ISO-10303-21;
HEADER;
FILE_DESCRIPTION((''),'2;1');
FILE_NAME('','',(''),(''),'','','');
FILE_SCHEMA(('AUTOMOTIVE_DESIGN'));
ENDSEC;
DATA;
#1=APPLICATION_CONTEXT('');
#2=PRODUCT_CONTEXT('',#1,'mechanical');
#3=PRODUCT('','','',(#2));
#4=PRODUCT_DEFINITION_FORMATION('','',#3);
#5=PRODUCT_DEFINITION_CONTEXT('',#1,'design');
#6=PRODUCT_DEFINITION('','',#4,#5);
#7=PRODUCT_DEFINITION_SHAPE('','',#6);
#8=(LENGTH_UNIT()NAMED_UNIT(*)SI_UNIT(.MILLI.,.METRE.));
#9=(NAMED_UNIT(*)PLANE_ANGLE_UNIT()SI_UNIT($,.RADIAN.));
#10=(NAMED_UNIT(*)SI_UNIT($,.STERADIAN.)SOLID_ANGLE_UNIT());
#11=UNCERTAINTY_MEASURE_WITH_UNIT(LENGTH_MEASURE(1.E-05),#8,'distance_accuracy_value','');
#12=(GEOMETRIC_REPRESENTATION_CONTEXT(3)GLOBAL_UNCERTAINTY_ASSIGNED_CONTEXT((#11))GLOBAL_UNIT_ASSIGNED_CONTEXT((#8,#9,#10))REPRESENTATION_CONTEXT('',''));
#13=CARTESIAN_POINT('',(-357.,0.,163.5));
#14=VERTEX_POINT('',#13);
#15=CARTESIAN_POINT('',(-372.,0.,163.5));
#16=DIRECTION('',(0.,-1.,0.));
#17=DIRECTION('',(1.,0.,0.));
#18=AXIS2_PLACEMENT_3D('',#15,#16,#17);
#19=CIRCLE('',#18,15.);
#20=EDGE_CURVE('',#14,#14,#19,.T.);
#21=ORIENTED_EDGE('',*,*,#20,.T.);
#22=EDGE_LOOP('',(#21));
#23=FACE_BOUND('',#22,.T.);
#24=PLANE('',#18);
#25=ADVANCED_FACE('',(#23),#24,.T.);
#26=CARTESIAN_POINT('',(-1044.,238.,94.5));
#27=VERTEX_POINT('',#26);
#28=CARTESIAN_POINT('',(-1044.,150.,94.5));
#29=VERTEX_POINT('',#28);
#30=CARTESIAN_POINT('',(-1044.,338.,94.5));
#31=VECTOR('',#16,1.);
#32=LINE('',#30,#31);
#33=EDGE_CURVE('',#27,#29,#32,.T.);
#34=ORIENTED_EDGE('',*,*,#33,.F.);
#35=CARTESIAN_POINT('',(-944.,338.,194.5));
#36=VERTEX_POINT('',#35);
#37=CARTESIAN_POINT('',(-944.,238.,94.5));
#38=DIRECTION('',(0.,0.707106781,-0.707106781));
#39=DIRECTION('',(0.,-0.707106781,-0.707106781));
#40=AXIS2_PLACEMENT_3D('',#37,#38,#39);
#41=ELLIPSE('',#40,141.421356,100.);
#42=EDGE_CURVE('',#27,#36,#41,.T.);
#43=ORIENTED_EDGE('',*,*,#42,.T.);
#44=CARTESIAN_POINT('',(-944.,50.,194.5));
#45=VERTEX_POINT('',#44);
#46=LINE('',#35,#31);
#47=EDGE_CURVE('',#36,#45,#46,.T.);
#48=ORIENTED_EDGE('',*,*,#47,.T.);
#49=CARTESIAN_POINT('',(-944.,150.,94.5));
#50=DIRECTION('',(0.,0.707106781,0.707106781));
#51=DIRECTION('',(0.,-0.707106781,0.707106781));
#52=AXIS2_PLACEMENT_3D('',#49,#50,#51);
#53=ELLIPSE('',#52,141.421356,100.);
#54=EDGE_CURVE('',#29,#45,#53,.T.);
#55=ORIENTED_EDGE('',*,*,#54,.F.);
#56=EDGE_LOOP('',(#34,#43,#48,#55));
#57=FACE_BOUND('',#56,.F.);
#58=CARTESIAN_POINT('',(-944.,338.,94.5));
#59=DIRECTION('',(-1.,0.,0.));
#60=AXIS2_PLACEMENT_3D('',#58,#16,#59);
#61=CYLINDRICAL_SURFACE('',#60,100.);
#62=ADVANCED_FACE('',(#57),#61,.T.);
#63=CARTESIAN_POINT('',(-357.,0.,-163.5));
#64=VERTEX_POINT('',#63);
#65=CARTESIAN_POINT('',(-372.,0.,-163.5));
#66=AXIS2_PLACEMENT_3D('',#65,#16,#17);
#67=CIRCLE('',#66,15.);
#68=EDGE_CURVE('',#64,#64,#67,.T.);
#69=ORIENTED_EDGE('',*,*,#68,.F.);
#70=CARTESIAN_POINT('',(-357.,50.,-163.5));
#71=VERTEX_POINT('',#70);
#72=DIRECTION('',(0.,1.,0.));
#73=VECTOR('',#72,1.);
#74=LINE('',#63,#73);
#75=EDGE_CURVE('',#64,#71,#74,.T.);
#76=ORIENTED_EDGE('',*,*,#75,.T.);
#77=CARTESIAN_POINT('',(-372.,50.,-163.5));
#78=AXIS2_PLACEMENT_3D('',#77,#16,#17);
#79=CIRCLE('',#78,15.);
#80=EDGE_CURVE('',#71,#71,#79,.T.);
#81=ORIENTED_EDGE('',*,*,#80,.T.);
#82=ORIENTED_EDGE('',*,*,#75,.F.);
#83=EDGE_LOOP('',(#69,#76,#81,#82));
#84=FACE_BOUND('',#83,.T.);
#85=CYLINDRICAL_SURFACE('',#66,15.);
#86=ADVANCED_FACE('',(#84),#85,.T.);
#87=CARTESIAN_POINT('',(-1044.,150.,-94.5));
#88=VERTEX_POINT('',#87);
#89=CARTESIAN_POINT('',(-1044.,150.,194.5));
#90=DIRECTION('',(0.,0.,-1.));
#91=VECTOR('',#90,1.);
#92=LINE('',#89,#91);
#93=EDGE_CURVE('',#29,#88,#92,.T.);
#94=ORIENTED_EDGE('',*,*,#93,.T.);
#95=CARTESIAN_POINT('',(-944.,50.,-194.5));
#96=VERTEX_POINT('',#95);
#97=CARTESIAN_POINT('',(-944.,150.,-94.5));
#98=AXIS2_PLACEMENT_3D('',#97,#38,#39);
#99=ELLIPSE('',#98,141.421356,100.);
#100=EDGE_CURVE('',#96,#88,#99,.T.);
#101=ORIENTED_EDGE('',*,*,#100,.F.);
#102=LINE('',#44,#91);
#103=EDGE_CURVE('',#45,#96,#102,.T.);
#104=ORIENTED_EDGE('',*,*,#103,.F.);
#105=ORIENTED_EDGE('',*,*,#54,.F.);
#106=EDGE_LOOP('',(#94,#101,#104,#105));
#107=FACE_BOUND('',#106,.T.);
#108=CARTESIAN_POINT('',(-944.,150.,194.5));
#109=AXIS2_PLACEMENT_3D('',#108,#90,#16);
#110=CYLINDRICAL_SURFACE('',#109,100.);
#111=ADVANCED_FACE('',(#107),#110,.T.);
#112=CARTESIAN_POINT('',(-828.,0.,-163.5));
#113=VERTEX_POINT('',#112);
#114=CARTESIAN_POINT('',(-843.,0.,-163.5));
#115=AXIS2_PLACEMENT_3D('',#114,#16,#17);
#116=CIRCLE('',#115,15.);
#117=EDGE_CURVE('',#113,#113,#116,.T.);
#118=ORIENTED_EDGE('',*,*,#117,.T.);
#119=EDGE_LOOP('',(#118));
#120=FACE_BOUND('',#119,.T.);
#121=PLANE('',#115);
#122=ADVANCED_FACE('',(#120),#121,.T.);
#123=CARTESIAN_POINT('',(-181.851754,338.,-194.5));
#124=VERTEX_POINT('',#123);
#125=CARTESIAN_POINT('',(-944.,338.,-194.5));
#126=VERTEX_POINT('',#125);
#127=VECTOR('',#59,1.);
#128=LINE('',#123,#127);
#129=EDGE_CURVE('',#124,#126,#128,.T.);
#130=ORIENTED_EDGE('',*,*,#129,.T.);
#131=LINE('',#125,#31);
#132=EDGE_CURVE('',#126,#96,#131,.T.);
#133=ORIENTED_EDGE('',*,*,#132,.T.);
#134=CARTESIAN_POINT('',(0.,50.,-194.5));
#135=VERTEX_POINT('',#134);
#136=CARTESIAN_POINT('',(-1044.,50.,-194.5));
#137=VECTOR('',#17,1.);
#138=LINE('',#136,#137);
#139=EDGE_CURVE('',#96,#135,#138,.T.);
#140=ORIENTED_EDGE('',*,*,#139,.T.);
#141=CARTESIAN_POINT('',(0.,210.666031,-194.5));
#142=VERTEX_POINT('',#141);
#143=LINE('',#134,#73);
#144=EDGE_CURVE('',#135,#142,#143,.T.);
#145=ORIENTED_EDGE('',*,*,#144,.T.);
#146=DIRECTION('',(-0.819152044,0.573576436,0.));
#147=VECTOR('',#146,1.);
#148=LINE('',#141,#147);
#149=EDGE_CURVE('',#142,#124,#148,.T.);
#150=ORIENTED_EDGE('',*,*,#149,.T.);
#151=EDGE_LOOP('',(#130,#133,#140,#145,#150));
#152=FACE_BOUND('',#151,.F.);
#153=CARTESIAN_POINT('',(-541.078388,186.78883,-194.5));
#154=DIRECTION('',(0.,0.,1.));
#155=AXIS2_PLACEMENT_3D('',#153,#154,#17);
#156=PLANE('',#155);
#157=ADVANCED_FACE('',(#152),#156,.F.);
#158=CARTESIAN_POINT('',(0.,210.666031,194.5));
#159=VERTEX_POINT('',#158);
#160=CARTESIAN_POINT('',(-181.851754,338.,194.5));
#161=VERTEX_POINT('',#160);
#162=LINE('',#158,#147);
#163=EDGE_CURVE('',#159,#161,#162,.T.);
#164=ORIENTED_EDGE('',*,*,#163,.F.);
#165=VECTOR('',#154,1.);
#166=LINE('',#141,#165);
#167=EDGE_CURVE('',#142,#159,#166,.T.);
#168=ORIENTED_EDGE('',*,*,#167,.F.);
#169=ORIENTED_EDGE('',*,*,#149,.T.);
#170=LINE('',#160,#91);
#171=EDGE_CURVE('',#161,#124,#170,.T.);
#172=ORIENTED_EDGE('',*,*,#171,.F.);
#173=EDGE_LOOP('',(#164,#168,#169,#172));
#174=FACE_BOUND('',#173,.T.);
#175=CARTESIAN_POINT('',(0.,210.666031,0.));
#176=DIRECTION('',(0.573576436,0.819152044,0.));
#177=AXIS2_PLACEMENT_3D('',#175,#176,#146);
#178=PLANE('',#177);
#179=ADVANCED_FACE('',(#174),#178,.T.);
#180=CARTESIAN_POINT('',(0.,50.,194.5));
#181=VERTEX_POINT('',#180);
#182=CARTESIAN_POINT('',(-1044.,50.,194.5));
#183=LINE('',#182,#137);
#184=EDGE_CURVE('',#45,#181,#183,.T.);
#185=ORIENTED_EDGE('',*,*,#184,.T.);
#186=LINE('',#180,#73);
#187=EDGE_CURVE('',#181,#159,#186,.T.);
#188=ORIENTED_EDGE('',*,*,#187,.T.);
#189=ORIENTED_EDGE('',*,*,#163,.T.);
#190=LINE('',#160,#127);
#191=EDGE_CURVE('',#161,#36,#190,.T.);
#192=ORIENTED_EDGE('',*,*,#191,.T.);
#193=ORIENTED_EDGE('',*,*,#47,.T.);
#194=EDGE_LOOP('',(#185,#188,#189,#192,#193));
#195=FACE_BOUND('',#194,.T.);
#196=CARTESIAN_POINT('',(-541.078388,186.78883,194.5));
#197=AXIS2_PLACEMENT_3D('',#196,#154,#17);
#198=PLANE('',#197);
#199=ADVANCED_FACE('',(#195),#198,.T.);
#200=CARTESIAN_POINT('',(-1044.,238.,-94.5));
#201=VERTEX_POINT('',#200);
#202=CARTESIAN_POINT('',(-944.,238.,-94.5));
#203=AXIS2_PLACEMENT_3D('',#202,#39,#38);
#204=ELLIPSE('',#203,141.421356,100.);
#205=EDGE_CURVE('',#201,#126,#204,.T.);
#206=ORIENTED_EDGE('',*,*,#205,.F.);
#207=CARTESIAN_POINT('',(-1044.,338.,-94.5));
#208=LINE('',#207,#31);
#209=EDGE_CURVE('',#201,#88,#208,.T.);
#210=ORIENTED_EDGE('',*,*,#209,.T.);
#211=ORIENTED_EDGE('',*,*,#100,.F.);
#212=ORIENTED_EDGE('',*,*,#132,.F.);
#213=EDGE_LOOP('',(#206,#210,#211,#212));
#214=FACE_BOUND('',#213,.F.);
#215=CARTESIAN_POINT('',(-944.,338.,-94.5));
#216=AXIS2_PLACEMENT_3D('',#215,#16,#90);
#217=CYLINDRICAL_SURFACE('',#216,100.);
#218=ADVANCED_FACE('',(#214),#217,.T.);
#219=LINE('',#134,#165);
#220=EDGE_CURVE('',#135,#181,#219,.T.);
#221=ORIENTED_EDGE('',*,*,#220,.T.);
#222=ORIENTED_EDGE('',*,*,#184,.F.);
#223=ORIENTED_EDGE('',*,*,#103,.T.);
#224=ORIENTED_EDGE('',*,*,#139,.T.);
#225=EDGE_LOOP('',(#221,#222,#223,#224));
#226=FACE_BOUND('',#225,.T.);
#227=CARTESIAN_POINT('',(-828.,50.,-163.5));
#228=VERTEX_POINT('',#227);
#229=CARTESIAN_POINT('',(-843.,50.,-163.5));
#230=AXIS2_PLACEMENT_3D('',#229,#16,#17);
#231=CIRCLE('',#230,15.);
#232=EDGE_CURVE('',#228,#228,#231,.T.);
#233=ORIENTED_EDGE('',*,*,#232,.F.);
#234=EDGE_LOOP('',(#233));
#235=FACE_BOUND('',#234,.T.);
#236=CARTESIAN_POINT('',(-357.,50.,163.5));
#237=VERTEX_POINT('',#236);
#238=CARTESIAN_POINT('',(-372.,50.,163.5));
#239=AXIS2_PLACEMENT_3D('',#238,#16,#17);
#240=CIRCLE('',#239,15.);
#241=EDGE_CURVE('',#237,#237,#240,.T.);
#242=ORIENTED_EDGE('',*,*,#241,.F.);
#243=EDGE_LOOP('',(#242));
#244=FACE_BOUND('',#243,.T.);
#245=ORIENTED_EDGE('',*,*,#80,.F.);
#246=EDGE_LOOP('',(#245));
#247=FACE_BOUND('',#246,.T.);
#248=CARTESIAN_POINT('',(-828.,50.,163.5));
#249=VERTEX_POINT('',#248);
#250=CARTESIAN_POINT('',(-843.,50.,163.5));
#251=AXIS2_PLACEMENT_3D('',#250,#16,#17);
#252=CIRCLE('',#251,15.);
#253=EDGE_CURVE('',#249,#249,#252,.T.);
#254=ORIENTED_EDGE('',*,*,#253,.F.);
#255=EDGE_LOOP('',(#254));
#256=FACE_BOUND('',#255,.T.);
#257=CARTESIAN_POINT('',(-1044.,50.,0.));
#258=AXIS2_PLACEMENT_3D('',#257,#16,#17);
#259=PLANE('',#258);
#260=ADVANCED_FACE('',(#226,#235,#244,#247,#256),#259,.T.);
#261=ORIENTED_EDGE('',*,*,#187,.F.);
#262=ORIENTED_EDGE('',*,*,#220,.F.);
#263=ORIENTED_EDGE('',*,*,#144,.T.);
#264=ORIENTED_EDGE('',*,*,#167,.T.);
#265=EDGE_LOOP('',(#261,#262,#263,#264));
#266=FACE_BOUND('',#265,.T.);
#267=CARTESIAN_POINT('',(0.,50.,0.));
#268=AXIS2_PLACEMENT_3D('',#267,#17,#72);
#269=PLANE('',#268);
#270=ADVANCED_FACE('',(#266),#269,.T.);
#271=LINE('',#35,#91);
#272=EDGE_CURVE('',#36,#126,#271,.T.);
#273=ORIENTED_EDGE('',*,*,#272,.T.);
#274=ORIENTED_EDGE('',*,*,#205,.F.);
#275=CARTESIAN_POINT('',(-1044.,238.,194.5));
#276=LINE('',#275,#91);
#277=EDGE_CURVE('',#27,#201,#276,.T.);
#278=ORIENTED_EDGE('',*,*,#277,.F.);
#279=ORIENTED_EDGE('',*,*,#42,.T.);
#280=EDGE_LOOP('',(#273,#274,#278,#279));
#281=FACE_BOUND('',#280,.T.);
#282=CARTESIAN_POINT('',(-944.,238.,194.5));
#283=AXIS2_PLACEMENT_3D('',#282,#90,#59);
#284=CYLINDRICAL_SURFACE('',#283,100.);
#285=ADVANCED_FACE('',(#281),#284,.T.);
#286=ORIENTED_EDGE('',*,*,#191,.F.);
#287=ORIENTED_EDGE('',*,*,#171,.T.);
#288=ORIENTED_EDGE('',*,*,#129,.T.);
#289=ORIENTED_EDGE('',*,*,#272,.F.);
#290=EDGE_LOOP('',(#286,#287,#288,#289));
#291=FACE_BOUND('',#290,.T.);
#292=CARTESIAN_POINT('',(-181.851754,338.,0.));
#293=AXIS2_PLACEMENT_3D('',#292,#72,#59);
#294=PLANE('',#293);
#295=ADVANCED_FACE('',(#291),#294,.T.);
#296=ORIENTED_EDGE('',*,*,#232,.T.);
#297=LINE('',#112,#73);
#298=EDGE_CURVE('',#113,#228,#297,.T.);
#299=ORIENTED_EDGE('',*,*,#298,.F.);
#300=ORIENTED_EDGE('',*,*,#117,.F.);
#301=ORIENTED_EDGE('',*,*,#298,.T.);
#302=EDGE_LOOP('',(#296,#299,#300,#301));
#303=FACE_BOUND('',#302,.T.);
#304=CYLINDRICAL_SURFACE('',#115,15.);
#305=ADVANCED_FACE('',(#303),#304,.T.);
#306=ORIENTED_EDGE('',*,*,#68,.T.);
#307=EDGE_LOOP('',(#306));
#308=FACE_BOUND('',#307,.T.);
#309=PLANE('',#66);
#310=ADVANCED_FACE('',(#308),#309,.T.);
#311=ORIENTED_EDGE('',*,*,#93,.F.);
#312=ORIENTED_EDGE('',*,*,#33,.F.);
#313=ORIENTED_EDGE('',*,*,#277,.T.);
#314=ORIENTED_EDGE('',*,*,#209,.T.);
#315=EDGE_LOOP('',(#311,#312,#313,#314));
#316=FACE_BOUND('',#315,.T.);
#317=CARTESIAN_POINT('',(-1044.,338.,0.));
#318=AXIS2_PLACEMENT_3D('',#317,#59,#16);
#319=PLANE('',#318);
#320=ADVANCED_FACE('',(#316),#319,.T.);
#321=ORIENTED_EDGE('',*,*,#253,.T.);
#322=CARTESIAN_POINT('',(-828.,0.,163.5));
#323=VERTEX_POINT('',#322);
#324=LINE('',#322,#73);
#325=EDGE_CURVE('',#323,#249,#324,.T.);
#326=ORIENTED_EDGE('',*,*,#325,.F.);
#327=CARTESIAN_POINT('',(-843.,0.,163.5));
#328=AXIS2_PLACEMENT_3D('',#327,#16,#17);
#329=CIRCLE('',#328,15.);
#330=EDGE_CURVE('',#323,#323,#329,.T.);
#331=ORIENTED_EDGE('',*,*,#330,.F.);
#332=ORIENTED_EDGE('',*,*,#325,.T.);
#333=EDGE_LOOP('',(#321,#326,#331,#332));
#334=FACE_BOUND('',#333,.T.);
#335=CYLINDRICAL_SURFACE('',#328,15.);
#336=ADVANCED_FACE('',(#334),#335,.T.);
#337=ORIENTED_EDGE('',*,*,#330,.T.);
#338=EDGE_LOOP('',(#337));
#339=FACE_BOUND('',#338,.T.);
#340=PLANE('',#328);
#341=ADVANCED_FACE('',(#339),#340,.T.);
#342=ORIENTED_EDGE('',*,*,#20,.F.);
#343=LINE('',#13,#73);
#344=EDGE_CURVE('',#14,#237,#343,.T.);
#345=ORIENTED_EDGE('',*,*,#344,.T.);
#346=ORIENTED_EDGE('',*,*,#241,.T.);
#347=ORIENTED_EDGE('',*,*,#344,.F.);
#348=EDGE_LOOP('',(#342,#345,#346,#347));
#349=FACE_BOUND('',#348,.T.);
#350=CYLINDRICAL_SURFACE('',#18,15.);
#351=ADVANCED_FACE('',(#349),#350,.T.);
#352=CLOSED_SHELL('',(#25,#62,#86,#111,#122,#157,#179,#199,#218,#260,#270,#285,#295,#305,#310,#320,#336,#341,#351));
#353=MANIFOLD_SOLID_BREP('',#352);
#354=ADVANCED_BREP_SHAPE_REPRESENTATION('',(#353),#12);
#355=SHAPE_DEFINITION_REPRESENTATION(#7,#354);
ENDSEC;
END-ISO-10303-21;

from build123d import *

# Parameters (mm, degrees)
F1_DEPTH = 194.5
F2_DEPTH = 194.5
F3_R     = 15
F4_DEPTH = 50
F5_R     = 100


with BuildPart() as f1:
    # F0 (on Top) → F1 (new body)
    with BuildSketch(Plane.XY):
        Polygon((-1044, 50), (0, 50), (0, 210.666031), (-181.851754, 338), (-1044, 338), align=None)
    extrude(amount=F1_DEPTH)

    # F0 (on Top) → F2 (join)
    with BuildSketch(Plane.XY):
        Polygon((-1044, 50), (0, 50), (0, 210.666031), (-181.851754, 338), (-1044, 338), align=None)
    extrude(amount=-F2_DEPTH)

    # F3 (on Front) → F4 (join, through all)
    with BuildSketch(Plane.XZ):
        with Locations((-843, 163.5)):
            Circle(F3_R)
        with Locations((-843, -163.5)):
            Circle(F3_R)
        with Locations((-372, -163.5)):
            Circle(F3_R)
        with Locations((-372, 163.5)):
            Circle(F3_R)
    extrude(amount=-F4_DEPTH)

    # F5
    f5_edges = [f1.edges().sort_by_distance(p)[0] for p in [
        (-1044, 338, 0),
        (-1044, 194, 194.5),
        (-1044, 50, 0),
        (-1044, 194, -194.5),
    ]]
    fillet(f5_edges, radius=F5_R)


solid = f1.part
